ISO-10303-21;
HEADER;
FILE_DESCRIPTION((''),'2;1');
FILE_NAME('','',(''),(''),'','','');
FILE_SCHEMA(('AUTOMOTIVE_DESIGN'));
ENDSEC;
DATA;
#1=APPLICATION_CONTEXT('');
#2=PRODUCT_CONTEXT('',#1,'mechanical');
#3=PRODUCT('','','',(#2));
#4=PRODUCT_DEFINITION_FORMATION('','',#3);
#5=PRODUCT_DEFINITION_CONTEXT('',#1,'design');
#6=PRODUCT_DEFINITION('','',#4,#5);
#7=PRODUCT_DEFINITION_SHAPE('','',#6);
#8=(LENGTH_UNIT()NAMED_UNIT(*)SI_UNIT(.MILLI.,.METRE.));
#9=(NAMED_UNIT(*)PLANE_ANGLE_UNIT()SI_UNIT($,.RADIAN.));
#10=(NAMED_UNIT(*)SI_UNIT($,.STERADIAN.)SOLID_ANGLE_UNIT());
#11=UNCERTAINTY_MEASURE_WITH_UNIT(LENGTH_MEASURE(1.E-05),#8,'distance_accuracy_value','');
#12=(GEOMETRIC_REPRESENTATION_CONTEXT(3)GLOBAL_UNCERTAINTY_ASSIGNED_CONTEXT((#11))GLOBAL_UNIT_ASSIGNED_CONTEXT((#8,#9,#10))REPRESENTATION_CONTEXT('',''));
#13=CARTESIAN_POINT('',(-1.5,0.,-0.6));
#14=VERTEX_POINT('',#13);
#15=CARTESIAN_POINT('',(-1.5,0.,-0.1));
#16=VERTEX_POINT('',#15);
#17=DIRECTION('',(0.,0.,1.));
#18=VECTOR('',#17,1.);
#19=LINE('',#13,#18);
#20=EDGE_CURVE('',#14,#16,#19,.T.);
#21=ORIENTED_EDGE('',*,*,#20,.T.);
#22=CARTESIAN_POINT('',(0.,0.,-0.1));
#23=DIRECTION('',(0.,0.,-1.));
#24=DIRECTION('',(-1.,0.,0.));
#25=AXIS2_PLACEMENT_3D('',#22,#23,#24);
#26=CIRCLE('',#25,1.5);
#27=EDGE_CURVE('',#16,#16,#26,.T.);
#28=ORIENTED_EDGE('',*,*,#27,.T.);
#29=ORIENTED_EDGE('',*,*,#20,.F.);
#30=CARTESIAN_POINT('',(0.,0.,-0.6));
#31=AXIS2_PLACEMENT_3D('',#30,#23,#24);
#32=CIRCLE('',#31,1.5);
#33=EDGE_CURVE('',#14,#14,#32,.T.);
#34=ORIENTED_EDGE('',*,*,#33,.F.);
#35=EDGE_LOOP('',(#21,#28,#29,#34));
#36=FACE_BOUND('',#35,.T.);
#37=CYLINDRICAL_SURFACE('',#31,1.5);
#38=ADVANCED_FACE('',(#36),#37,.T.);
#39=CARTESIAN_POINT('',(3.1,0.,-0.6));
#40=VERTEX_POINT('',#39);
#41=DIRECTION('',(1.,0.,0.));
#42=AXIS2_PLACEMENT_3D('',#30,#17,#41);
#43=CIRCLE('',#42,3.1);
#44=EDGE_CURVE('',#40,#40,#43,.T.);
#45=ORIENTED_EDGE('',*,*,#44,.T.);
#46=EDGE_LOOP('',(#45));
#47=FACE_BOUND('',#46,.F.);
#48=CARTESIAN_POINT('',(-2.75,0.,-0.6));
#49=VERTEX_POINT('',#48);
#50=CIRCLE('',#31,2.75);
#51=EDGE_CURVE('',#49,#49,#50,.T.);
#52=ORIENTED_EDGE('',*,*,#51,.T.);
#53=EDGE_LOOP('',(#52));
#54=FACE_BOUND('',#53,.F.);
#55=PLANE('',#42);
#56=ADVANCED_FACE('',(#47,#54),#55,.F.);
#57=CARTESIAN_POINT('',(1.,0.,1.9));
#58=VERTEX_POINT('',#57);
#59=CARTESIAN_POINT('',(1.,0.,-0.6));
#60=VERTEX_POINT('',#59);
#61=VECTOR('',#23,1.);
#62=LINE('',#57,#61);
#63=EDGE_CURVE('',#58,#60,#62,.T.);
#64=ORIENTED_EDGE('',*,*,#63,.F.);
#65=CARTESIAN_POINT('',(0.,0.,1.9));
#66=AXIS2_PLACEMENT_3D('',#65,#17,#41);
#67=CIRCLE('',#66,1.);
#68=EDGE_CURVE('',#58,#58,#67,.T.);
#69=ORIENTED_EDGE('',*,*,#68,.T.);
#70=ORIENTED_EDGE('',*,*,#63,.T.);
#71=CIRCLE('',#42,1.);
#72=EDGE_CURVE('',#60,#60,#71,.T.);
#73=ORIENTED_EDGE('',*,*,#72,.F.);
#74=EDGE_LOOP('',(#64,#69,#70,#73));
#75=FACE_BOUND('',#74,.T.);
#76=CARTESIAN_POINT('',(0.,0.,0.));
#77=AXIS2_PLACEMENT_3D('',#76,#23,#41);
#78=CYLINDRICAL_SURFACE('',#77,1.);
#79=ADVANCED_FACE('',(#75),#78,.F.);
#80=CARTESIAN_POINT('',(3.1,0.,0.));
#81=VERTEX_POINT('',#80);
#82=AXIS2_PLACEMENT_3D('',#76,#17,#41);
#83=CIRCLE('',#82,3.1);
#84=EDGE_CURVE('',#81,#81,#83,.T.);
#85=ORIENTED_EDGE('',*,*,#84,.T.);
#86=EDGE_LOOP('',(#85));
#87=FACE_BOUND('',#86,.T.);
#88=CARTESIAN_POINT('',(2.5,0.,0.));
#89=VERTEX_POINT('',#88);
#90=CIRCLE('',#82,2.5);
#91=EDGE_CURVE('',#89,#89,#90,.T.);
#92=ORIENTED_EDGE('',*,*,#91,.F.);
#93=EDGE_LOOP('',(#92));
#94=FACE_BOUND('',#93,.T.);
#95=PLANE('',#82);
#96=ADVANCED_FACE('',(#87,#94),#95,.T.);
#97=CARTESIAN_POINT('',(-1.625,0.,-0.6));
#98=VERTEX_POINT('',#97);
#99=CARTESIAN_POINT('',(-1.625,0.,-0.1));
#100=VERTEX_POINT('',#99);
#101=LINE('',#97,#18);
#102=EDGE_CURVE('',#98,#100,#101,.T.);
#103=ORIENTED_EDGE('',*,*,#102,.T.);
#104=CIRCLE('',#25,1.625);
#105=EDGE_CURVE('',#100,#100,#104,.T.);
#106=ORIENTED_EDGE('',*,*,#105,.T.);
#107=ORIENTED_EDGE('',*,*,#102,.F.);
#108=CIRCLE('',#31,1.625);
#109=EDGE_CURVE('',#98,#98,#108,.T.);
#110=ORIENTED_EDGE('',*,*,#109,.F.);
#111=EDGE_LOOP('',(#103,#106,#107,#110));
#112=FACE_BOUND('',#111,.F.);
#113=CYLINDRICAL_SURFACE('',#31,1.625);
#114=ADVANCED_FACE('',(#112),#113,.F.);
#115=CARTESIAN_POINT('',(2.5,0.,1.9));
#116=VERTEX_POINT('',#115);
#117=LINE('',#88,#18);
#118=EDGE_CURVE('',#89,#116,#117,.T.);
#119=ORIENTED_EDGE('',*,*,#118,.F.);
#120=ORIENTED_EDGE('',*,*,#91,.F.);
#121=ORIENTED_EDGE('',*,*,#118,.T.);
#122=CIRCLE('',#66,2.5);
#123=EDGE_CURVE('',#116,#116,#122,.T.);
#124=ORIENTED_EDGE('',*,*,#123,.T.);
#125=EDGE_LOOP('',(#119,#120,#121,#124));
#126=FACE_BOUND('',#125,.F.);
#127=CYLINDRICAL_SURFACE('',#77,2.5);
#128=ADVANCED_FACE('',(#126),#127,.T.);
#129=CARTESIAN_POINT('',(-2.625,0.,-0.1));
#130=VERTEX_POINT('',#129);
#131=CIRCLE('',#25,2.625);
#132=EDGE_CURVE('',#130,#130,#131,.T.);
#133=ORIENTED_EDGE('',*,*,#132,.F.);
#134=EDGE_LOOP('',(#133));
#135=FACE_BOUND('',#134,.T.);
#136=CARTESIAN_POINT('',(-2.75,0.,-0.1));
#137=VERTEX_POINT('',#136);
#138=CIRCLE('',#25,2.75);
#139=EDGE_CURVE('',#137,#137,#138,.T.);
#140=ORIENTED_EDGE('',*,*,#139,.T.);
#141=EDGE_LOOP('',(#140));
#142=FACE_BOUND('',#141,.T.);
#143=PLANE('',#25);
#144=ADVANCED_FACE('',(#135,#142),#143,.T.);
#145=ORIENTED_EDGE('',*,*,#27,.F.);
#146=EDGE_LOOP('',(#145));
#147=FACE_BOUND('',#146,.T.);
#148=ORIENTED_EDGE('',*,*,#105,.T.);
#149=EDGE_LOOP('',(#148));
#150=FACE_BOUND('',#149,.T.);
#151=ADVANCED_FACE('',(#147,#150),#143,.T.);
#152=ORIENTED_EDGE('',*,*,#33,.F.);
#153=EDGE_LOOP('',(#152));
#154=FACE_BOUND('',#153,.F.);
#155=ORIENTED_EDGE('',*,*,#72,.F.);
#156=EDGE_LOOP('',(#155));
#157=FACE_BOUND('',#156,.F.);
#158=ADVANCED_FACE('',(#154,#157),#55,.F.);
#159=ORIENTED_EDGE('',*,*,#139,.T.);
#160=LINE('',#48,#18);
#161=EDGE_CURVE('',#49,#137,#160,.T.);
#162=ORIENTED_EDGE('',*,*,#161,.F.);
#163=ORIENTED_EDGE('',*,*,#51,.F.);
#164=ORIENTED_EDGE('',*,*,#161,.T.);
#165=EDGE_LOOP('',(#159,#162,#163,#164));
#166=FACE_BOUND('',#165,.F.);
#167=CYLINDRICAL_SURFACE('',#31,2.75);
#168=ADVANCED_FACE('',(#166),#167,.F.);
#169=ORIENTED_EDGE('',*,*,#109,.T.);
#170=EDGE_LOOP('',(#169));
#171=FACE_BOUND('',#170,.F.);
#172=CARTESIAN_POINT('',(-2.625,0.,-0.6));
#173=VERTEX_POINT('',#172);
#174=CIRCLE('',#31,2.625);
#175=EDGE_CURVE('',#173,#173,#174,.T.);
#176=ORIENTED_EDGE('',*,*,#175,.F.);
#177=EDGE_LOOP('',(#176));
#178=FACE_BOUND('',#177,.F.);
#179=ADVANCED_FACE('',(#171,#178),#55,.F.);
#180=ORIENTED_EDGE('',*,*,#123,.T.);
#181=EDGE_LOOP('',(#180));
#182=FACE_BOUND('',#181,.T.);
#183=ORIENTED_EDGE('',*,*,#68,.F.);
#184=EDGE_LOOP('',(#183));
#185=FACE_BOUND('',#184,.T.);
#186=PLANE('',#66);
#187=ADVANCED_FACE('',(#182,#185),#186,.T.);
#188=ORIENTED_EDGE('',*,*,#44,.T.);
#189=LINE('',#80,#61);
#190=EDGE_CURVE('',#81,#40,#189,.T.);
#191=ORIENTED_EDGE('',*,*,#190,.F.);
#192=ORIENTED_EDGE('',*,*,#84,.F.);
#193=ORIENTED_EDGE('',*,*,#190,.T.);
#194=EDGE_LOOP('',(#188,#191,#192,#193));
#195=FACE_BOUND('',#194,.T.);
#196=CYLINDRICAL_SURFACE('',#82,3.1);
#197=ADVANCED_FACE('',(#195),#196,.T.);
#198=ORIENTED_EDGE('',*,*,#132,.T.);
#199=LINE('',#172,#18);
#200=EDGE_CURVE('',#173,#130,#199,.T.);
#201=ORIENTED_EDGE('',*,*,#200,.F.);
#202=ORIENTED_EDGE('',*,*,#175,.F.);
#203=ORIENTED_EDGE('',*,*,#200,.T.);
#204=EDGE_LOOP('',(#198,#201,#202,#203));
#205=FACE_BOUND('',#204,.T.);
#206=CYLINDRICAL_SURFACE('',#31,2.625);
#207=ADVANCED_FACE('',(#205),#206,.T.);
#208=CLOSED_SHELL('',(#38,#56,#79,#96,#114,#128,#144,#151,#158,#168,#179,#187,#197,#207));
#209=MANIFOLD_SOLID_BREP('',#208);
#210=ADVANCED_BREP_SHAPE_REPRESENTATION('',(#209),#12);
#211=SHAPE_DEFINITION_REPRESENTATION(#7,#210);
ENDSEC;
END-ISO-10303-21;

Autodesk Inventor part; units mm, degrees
ref_plane "YZ Plane" through (0, 0, 0) normal (1, 0, 0) x (0, 1, 0)
ref_plane "XZ Plane" through (0, 0, 0) normal (0, 1, 0) x (-1, 0, 0)
ref_plane "XY Plane" through (0, 0, 0) normal (0, 0, 1) x (1, 0, 0)
sketch "スケッチ1" plane through (0, 0, 0) normal (0, 0, 1) x (1, 0, 0)
  circle A0 centre (0, 0) radius 3.1
  circle A1 centre (0, 0) radius 2.5
  circle A2 centre (0, 0) radius 1
  dimension "d0" = 6.2
  dimension "d1" = 5
  dimension "d2" = 2
extrude "押し出し1" add sketch "スケッチ1" against normal blind 0.6 contours A0 | A1
extrude "押し出し2" add sketch "スケッチ1" along normal blind 1.9 contours A1
sketch "スケッチ2" plane through (0, 0, -0.6) normal (0, 0, -1) x (-1, 0, 0)
  circle A0 centre (0, 0) radius 2.75
  circle A1 centre (0, 0) radius 1.5
  circle A2 centre (0, 0) radius 2.625
  circle A3 centre (0, 0) radius 1.625
  dimension "d7" = 5.5
  dimension "d8" = 3
  dimension "d11" = 5.25
  dimension "d12" = 3.25
extrude "押し出し4" cut sketch "スケッチ2" against normal blind 0.5 contours A3
extrude "押し出し5" cut sketch "スケッチ2" against normal blind 0.5 contours A0
properties part number "ベアリング"
